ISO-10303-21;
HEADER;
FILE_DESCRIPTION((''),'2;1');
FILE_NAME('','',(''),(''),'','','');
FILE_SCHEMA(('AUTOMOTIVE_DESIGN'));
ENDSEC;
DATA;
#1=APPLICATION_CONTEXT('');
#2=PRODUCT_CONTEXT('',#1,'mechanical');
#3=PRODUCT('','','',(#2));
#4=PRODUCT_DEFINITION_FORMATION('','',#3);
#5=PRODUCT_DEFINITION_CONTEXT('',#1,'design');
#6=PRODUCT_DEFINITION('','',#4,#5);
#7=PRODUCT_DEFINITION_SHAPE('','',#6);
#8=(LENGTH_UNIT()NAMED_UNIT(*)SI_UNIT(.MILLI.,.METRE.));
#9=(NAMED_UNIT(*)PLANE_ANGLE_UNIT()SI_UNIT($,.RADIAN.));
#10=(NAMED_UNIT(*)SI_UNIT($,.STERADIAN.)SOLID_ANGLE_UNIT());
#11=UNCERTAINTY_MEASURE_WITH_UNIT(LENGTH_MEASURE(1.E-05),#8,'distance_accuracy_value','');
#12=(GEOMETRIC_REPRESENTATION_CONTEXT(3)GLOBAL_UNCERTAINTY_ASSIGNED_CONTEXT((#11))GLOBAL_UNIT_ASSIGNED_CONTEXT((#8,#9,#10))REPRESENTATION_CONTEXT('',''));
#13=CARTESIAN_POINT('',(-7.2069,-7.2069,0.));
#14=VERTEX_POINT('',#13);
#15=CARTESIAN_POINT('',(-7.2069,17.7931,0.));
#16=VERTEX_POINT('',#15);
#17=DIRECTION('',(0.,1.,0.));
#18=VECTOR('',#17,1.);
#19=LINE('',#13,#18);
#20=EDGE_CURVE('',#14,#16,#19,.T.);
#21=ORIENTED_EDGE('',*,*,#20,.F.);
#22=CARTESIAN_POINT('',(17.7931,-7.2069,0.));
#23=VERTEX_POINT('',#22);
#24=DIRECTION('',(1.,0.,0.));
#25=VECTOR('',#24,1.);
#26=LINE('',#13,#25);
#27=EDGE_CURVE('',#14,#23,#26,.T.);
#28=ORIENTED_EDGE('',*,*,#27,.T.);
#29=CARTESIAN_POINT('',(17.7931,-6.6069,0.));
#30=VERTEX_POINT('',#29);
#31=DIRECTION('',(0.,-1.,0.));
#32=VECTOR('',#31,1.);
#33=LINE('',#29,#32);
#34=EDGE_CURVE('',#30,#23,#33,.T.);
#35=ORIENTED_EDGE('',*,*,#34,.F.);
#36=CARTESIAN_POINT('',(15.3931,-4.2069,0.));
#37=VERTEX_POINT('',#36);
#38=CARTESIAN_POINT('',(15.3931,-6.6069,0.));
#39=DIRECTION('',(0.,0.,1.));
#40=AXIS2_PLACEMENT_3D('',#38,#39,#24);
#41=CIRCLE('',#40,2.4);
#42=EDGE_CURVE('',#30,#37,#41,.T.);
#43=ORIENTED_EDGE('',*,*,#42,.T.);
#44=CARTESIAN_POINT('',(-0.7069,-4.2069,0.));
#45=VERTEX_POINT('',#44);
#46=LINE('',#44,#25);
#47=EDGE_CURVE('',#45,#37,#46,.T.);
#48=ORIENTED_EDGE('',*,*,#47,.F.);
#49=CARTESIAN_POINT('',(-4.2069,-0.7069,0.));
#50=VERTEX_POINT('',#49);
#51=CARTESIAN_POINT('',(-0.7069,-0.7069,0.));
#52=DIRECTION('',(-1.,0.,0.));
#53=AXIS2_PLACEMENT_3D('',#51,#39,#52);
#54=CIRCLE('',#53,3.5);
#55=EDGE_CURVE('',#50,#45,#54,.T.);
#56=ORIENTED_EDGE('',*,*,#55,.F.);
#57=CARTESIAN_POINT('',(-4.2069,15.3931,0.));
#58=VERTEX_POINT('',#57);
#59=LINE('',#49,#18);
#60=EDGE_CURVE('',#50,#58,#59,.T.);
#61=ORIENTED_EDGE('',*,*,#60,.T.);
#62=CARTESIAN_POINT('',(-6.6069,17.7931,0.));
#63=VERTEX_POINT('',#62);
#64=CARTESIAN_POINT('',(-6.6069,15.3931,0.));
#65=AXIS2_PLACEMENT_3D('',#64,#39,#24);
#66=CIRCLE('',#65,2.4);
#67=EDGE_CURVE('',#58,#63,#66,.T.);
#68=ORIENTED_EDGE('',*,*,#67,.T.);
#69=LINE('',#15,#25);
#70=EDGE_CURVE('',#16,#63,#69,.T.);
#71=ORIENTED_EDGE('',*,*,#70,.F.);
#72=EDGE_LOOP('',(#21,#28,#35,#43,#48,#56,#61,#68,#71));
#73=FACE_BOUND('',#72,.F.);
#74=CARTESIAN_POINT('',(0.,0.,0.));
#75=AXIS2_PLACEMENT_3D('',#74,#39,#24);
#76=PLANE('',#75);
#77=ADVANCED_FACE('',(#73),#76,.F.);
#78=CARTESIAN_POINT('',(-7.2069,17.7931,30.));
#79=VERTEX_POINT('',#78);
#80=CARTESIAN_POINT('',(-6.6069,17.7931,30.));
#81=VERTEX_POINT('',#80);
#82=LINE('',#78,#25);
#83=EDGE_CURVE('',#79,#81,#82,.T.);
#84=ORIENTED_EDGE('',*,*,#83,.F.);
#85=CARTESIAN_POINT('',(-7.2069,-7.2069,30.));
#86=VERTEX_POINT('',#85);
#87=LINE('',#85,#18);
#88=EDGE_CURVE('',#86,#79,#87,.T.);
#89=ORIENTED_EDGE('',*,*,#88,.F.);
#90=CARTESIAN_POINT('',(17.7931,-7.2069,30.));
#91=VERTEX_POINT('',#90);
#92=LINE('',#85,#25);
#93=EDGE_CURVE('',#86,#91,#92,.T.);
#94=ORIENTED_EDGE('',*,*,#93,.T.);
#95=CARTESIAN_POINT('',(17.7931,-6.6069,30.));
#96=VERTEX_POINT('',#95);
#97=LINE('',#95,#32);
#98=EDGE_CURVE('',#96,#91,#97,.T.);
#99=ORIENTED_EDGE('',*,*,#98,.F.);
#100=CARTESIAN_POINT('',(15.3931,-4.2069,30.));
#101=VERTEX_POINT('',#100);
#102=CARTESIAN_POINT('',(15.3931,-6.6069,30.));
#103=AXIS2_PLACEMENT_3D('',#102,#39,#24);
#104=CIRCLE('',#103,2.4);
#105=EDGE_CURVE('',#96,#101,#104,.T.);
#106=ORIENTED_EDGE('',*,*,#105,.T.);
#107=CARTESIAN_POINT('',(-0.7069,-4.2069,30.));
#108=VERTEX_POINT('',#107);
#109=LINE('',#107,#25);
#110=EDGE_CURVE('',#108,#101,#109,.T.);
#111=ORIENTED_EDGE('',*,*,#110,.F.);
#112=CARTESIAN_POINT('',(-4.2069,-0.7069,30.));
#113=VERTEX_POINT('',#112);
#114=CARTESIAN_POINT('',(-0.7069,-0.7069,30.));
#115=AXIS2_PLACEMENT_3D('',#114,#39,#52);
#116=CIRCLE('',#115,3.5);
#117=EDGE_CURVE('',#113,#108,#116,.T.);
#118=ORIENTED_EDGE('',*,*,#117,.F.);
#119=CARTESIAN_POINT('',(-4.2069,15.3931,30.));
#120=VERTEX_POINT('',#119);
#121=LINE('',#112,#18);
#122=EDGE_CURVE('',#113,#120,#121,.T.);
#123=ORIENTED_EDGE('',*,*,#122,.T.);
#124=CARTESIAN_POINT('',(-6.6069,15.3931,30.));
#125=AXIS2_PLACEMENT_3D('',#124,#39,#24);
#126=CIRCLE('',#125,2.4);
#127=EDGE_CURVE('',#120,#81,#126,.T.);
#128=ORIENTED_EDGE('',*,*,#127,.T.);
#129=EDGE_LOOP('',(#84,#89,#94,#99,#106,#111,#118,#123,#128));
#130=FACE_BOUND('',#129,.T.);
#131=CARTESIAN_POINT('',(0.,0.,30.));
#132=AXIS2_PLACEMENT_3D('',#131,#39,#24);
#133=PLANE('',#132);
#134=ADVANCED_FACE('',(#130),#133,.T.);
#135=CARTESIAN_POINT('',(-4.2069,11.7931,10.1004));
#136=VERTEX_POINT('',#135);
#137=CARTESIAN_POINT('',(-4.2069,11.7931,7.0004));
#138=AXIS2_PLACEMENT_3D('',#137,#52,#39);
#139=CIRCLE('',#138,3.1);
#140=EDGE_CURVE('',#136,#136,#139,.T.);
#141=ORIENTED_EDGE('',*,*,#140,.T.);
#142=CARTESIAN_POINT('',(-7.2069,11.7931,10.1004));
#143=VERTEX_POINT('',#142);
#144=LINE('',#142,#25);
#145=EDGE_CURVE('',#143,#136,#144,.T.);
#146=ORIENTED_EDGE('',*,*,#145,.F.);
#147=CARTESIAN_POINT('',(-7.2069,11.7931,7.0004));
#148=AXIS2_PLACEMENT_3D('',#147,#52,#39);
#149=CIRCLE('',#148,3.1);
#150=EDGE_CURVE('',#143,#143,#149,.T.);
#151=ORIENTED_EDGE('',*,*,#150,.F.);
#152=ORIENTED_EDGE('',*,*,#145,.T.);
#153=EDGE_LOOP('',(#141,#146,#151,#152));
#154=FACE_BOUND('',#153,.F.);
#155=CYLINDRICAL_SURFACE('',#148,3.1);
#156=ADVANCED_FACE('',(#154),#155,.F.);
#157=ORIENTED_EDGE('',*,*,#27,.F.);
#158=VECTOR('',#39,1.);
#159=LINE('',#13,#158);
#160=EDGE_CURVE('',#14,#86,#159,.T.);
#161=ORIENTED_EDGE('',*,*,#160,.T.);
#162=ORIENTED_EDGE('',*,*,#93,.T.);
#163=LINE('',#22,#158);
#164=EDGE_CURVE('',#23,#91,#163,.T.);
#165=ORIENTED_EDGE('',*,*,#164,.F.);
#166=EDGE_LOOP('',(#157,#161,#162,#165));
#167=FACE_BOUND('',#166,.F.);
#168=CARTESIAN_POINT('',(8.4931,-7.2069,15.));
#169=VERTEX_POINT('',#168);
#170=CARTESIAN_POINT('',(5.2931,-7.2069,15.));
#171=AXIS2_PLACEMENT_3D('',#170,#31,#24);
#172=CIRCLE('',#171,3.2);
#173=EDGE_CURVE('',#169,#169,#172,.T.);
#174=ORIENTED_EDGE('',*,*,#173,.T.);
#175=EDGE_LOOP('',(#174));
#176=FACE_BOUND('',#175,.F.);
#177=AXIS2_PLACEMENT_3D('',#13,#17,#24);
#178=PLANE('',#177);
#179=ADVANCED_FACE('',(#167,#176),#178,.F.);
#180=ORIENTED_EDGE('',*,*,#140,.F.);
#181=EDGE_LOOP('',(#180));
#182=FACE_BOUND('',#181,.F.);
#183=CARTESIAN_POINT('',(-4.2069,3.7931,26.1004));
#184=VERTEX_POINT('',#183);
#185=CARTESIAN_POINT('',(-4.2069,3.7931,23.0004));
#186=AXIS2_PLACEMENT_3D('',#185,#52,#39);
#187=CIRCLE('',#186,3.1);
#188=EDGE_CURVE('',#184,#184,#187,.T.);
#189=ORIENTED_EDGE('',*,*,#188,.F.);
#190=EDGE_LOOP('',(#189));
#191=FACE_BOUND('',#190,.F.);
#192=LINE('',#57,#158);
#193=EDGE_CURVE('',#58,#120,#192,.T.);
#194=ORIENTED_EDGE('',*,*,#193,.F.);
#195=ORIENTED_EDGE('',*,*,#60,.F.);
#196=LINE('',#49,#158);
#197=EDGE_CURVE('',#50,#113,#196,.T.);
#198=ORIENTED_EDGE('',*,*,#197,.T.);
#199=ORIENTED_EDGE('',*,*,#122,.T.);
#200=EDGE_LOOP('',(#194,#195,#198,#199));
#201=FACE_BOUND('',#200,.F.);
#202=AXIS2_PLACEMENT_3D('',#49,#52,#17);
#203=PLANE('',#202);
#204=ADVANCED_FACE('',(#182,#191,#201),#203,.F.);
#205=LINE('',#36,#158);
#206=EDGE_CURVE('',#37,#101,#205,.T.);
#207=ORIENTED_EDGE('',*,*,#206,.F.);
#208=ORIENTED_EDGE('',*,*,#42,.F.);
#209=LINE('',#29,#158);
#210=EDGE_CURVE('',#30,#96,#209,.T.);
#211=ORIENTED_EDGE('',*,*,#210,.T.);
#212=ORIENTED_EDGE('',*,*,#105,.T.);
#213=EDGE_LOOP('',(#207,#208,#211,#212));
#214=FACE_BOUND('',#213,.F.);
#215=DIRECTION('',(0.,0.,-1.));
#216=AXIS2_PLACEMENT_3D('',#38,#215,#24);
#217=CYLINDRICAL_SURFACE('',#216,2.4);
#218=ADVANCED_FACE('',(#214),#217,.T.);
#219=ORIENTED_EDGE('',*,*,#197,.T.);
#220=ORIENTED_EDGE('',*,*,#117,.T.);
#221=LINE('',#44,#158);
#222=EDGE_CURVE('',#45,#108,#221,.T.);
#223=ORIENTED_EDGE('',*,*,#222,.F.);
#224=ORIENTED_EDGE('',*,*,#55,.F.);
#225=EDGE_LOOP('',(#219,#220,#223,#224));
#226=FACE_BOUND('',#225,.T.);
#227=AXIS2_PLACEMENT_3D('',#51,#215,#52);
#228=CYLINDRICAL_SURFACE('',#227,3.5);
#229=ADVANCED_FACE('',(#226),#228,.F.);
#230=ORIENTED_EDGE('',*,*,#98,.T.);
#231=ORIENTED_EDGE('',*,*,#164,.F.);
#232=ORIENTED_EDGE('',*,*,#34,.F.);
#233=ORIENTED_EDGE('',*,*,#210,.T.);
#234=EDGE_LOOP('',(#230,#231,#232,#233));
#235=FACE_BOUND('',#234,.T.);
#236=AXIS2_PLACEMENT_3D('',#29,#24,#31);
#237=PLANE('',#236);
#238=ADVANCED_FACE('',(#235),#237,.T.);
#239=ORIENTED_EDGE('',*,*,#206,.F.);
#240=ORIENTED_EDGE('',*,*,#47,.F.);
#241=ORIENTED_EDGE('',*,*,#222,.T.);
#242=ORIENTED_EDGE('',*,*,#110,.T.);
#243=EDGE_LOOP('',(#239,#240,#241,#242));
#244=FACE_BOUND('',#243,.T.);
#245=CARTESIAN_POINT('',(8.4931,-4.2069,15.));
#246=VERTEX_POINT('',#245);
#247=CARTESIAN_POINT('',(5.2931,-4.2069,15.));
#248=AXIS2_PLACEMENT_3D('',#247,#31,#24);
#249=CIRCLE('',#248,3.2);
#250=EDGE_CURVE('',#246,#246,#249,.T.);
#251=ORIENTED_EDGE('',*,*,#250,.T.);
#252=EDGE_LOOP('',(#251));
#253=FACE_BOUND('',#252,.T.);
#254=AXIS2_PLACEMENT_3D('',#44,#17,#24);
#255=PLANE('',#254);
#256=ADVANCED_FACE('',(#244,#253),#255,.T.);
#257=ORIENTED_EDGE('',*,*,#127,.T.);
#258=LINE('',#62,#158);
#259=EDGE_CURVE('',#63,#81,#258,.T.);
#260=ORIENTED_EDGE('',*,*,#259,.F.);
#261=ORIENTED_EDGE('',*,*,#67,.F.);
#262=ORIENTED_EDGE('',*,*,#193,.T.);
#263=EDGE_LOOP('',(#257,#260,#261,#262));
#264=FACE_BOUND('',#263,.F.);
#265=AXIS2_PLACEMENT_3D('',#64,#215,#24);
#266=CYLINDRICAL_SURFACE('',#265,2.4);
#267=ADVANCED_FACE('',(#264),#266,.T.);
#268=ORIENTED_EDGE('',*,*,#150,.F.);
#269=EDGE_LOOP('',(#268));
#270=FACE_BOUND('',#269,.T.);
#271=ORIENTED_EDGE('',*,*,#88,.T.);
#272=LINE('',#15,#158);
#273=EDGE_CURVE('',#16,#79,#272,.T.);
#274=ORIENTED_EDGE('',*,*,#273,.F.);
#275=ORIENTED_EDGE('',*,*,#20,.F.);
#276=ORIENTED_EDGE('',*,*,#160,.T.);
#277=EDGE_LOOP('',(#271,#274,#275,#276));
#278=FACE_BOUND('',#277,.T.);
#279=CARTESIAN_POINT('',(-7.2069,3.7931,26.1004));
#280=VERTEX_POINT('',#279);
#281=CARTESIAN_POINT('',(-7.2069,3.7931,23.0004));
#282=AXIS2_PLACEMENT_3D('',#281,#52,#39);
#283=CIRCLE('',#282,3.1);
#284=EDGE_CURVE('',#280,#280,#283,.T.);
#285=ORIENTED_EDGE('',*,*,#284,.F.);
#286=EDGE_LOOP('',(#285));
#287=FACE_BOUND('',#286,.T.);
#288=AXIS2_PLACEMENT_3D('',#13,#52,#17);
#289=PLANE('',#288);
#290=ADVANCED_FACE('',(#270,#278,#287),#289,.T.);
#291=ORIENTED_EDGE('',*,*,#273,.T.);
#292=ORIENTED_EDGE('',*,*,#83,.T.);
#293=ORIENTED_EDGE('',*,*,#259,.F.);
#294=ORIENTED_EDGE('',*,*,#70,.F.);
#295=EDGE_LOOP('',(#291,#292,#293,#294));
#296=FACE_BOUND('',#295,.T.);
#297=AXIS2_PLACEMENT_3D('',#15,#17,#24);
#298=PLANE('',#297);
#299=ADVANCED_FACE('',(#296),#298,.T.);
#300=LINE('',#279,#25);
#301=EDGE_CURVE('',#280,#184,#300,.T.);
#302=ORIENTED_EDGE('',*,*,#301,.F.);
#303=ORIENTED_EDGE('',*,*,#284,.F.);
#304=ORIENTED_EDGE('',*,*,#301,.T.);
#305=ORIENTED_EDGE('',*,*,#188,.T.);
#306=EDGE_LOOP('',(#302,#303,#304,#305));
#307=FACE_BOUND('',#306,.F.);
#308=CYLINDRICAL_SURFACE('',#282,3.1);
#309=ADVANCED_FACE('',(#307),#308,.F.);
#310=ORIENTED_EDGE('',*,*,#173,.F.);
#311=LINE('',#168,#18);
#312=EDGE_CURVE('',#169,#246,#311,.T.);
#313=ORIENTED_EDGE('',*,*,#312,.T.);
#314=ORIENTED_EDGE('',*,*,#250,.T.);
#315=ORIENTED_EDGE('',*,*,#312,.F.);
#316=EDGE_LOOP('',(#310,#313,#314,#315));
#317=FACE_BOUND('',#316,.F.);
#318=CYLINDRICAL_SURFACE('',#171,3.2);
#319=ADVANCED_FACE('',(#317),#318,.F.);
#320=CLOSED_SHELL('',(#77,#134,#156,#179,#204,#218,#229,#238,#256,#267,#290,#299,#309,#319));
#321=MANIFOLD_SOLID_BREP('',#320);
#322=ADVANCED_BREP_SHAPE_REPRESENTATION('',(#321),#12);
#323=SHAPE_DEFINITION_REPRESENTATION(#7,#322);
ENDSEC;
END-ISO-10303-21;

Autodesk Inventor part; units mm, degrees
ref_plane "YZ Plane" through (0, 0, 0) normal (1, 0, 0) x (0, 1, 0)
ref_plane "Počáteční rovina" through (0, 0, 0) normal (0, 0, 1) x (1, 0, 0)
ref_plane "Koncová rovina" through (0, 0, 30) normal (0, 0, 1) x (1, 0, 0)
sketch "Náčrt2" plane through (0, 0, 0) normal (0, 0, 1) x (1, 0, 0)
  line L0 (-4.2069, -0.7069) -> (-4.2069, 15.3931)
  line L1 (-7.2069, 17.7931) -> (-6.6069, 17.7931)
  line L2 (-7.2069, -7.2069) -> (-7.2069, 17.7931)
  line L3 (-7.2069, -7.2069) -> (17.7931, -7.2069)
  line L4 (17.7931, -6.6069) -> (17.7931, -7.2069)
  line L5 (-0.7069, -4.2069) -> (15.3931, -4.2069)
  arc A0 (-4.2069, -0.7069) -> (-0.7069, -4.2069) centre (-0.7069, -0.7069) ccw
  arc A1 (-4.2069, 15.3931) -> (-6.6069, 17.7931) centre (-6.6069, 15.3931) ccw
  arc A2 (17.7931, -6.6069) -> (15.3931, -4.2069) centre (15.3931, -6.6069) ccw
  line L6 (0, 23.3895) -> (0, -12.3063) construction
  line L7 (-12.3063, 0) -> (23.3895, 0) construction
  point P0 (-4.2069, -4.2069)
  point P1 (-4.2069, 17.7931)
  point P2 (17.7931, -4.2069)
  dimension "d4" = 25
  dimension "d6" = 25
  dimension "d8" = 3
  dimension "d10" = 3
  dimension "d17" = 3.5
  dimension "d18" = 2.4
  dimension "d19" = 7.2069
  dimension "d20" = 7.2069
extrude "Těleso" add sketch "Náčrt2" along normal up to surface (30 mm away) from surface at 0
sketch "Sketch3" plane through (0, 0, 0) normal (0, 0, 1) x (1, 0, 0)
  line L0 (0, 0) -> (10, 0)
ref_plane "Work Plane10" through (0, 0, 0) normal (0, -1, 0) x (1, 0, 0)
sketch "Sketch4" plane through (0, 0, 0) normal (0, -1, 0) x (1, 0, 0)
  line L0 (-2, 0) -> (12, 0)
  line L1 (-2, 30) -> (12, 30)
  dimension "d24" = 30
sketch "Sketch5" plane through (-7.2069, 17.7931, 0) normal (-1, 0, 0) x (0, 0, 1)
  circle A0 centre (23.0004, -14) radius 3.1 projected
  circle A1 centre (7.0004, -6) radius 3.1 projected
  line L0 (-51.2925, -21) -> (81.2933, -21) projected
  line L1 (81.2933, 85) -> (81.2933, -21) projected
  line L2 (-51.2925, -21) -> (-51.2925, 85) projected
  circle A2 centre (7.0004, -6) radius 3.1
  circle A3 centre (23.0004, -14) radius 3.1
  line L3 (-51.2925, 85) -> (81.2933, 85) projected
  point P0 (0, -17.7931)
extrude "Extrusion2" cut sketch "Sketch5" against normal blind 10 contours A0 | A1
sketch "Sketch6" plane through (15.3931, -4.2069, 30) normal (0, 1, 0) x (1, 0, 0)
  point P0 (-15.3931, 30)
sketch "Sketch7" plane through (-7.2069, -7.2069, 0) normal (0, -1, 0) x (1, 0, 0)
  line L0 (25, 0) -> (25, 30) construction
  line L1 (25, 0) -> (0, 0) construction
  line L2 (-0.0108, 30) -> (25, 0) construction
  line L3 (25, 30) -> (0, 30) construction
  line L4 (0, 0) -> (0.6, 0) construction
  line L5 (25, 30) -> (0, 0) construction
  circle A0 centre (12.5, 15) radius 3.2
  point P0 (7.2069, 0)
  dimension "d27" = 6.4
extrude "Extrusion3" cut sketch "Sketch7" against normal blind 10
equation "\"d4\" = b"
equation "\"d6\" = b"
equation "\"d8\" = ParT"
equation "\"d10\" = ParT"
equation "\"d17\" = R"
equation "\"d18\" = R1"
equation "\"d19\" = ex"
equation "\"d20\" = d19"
equation "\"d11\" = G_L"
equation "\"b\" = 25"
equation "\"ParT\" = 3"
equation "\"R\" = 3.5"
equation "\"R1\" = 2.4"
equation "\"G_L\" = d24"
equation "\"G_OFFSET_START\" = 0"
equation "\"G_OFFSET_END\" = 0"
equation "\"ex\" = 7.206925"
properties part number "BS 4848 - 25x25x3-30" material "Steel, Mild"
